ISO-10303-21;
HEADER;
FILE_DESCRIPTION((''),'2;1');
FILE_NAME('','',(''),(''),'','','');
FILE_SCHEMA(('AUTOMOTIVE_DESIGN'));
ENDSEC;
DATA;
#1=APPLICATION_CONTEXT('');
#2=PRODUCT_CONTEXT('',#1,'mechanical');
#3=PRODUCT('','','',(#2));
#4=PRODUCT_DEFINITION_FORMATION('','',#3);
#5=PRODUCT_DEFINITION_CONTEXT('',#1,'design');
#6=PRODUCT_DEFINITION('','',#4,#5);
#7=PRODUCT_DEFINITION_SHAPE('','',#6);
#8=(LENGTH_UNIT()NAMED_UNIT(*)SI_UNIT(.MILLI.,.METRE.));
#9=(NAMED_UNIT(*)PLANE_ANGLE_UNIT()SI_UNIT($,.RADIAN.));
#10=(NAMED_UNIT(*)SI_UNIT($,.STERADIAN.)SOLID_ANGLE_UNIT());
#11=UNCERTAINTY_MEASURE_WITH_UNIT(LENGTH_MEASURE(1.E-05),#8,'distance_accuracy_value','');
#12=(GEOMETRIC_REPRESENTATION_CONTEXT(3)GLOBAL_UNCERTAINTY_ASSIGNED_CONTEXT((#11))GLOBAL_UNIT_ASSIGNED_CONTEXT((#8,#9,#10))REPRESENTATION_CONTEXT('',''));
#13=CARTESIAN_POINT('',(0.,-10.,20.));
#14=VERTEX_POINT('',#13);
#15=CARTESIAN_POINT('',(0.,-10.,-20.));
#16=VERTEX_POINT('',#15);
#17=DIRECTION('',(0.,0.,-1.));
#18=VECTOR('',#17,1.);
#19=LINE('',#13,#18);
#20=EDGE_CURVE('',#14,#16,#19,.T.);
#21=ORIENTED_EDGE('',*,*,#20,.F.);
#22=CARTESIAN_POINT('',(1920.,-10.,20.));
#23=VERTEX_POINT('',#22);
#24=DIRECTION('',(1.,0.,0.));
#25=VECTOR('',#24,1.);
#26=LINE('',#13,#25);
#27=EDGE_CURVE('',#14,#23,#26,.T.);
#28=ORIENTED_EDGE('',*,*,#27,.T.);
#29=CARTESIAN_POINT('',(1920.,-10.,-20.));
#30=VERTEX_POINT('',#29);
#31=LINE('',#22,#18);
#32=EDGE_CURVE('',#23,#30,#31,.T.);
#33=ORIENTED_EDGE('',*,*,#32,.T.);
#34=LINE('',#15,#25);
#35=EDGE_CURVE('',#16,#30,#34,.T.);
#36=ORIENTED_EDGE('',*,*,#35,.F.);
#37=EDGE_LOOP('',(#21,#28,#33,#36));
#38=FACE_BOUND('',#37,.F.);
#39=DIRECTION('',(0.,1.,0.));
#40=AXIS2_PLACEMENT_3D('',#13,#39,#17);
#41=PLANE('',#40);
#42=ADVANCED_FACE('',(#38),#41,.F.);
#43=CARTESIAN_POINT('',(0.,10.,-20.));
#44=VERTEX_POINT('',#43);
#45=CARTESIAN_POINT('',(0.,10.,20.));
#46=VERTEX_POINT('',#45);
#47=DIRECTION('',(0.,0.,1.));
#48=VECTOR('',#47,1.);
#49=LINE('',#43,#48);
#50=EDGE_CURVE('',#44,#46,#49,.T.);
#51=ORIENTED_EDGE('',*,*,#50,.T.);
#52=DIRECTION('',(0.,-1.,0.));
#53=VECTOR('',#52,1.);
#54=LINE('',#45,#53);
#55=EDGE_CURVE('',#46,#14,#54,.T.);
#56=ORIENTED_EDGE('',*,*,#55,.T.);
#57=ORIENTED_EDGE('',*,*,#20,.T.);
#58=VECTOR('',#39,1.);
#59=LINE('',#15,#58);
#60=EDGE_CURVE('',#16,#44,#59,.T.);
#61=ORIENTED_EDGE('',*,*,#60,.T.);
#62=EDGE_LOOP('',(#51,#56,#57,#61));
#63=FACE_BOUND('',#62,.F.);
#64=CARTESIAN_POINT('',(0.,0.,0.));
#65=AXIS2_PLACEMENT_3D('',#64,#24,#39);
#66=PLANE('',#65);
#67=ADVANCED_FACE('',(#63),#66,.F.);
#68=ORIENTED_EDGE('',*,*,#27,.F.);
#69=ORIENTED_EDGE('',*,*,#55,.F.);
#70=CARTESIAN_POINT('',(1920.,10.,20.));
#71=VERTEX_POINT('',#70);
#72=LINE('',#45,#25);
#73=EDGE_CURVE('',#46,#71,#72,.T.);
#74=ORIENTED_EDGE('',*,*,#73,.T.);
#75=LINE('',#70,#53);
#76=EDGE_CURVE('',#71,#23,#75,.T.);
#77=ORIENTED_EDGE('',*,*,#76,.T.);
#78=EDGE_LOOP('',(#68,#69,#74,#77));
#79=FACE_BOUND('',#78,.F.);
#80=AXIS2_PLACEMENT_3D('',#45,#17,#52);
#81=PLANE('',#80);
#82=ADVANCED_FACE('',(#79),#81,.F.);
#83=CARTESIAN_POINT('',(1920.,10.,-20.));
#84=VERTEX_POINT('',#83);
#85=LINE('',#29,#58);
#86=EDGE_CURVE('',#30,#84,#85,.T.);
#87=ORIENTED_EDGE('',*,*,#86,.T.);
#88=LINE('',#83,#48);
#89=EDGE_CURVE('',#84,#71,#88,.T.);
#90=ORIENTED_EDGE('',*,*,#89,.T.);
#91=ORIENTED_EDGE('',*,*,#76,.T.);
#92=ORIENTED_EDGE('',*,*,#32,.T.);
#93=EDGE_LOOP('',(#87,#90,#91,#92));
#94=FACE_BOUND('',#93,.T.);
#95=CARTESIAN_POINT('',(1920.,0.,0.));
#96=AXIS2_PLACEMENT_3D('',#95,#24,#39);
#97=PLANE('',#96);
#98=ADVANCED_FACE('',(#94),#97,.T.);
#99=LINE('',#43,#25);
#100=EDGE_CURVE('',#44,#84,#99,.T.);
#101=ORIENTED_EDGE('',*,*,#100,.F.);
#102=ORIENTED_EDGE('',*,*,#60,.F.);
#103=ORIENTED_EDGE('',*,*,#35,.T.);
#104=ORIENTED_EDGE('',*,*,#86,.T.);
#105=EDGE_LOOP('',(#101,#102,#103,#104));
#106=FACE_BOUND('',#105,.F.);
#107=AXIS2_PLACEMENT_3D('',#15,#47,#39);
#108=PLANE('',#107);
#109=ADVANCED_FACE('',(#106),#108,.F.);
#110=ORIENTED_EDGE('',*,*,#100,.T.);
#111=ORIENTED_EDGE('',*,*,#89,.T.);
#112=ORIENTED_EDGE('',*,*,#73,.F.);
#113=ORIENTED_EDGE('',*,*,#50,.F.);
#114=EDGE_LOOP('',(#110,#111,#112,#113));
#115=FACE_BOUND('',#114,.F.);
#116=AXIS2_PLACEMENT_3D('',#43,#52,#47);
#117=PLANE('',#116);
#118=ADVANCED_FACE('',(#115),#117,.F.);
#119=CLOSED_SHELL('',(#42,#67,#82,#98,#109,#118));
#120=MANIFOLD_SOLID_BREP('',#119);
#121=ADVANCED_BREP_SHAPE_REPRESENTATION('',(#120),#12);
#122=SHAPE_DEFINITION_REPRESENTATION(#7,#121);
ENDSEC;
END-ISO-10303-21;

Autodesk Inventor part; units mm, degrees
ref_plane "YZ Plane" through (0, 0, 0) normal (1, 0, 0) x (0, 1, 0)
ref_plane "XZ Plane" through (0, 0, 0) normal (0, 1, 0) x (-1, 0, 0)
ref_plane "XY Plane" through (0, 0, 0) normal (0, 0, 1) x (1, 0, 0)
sketch "Skizze2" plane through (0, 0, 0) normal (1, 0, 0) x (0, 1, 0)
  line L0 (-10, -20) -> (10, -20)
  line L1 (10, -20) -> (10, 20)
  line L2 (10, 20) -> (-10, 20)
  line L3 (-10, 20) -> (-10, -20)
  line L4 (-10, -20) -> (10, 20) construction
  line L5 (10, -20) -> (-10, 20) construction
  point P0 (0, 0)
  dimension "d4" = 20
  dimension "d5" = 40
extrude "Extrusion2" add sketch "Skizze2" along normal blind 1920
properties part number "HFS5-2040-1920" material "EN AC-51400-T5 Equiv."
